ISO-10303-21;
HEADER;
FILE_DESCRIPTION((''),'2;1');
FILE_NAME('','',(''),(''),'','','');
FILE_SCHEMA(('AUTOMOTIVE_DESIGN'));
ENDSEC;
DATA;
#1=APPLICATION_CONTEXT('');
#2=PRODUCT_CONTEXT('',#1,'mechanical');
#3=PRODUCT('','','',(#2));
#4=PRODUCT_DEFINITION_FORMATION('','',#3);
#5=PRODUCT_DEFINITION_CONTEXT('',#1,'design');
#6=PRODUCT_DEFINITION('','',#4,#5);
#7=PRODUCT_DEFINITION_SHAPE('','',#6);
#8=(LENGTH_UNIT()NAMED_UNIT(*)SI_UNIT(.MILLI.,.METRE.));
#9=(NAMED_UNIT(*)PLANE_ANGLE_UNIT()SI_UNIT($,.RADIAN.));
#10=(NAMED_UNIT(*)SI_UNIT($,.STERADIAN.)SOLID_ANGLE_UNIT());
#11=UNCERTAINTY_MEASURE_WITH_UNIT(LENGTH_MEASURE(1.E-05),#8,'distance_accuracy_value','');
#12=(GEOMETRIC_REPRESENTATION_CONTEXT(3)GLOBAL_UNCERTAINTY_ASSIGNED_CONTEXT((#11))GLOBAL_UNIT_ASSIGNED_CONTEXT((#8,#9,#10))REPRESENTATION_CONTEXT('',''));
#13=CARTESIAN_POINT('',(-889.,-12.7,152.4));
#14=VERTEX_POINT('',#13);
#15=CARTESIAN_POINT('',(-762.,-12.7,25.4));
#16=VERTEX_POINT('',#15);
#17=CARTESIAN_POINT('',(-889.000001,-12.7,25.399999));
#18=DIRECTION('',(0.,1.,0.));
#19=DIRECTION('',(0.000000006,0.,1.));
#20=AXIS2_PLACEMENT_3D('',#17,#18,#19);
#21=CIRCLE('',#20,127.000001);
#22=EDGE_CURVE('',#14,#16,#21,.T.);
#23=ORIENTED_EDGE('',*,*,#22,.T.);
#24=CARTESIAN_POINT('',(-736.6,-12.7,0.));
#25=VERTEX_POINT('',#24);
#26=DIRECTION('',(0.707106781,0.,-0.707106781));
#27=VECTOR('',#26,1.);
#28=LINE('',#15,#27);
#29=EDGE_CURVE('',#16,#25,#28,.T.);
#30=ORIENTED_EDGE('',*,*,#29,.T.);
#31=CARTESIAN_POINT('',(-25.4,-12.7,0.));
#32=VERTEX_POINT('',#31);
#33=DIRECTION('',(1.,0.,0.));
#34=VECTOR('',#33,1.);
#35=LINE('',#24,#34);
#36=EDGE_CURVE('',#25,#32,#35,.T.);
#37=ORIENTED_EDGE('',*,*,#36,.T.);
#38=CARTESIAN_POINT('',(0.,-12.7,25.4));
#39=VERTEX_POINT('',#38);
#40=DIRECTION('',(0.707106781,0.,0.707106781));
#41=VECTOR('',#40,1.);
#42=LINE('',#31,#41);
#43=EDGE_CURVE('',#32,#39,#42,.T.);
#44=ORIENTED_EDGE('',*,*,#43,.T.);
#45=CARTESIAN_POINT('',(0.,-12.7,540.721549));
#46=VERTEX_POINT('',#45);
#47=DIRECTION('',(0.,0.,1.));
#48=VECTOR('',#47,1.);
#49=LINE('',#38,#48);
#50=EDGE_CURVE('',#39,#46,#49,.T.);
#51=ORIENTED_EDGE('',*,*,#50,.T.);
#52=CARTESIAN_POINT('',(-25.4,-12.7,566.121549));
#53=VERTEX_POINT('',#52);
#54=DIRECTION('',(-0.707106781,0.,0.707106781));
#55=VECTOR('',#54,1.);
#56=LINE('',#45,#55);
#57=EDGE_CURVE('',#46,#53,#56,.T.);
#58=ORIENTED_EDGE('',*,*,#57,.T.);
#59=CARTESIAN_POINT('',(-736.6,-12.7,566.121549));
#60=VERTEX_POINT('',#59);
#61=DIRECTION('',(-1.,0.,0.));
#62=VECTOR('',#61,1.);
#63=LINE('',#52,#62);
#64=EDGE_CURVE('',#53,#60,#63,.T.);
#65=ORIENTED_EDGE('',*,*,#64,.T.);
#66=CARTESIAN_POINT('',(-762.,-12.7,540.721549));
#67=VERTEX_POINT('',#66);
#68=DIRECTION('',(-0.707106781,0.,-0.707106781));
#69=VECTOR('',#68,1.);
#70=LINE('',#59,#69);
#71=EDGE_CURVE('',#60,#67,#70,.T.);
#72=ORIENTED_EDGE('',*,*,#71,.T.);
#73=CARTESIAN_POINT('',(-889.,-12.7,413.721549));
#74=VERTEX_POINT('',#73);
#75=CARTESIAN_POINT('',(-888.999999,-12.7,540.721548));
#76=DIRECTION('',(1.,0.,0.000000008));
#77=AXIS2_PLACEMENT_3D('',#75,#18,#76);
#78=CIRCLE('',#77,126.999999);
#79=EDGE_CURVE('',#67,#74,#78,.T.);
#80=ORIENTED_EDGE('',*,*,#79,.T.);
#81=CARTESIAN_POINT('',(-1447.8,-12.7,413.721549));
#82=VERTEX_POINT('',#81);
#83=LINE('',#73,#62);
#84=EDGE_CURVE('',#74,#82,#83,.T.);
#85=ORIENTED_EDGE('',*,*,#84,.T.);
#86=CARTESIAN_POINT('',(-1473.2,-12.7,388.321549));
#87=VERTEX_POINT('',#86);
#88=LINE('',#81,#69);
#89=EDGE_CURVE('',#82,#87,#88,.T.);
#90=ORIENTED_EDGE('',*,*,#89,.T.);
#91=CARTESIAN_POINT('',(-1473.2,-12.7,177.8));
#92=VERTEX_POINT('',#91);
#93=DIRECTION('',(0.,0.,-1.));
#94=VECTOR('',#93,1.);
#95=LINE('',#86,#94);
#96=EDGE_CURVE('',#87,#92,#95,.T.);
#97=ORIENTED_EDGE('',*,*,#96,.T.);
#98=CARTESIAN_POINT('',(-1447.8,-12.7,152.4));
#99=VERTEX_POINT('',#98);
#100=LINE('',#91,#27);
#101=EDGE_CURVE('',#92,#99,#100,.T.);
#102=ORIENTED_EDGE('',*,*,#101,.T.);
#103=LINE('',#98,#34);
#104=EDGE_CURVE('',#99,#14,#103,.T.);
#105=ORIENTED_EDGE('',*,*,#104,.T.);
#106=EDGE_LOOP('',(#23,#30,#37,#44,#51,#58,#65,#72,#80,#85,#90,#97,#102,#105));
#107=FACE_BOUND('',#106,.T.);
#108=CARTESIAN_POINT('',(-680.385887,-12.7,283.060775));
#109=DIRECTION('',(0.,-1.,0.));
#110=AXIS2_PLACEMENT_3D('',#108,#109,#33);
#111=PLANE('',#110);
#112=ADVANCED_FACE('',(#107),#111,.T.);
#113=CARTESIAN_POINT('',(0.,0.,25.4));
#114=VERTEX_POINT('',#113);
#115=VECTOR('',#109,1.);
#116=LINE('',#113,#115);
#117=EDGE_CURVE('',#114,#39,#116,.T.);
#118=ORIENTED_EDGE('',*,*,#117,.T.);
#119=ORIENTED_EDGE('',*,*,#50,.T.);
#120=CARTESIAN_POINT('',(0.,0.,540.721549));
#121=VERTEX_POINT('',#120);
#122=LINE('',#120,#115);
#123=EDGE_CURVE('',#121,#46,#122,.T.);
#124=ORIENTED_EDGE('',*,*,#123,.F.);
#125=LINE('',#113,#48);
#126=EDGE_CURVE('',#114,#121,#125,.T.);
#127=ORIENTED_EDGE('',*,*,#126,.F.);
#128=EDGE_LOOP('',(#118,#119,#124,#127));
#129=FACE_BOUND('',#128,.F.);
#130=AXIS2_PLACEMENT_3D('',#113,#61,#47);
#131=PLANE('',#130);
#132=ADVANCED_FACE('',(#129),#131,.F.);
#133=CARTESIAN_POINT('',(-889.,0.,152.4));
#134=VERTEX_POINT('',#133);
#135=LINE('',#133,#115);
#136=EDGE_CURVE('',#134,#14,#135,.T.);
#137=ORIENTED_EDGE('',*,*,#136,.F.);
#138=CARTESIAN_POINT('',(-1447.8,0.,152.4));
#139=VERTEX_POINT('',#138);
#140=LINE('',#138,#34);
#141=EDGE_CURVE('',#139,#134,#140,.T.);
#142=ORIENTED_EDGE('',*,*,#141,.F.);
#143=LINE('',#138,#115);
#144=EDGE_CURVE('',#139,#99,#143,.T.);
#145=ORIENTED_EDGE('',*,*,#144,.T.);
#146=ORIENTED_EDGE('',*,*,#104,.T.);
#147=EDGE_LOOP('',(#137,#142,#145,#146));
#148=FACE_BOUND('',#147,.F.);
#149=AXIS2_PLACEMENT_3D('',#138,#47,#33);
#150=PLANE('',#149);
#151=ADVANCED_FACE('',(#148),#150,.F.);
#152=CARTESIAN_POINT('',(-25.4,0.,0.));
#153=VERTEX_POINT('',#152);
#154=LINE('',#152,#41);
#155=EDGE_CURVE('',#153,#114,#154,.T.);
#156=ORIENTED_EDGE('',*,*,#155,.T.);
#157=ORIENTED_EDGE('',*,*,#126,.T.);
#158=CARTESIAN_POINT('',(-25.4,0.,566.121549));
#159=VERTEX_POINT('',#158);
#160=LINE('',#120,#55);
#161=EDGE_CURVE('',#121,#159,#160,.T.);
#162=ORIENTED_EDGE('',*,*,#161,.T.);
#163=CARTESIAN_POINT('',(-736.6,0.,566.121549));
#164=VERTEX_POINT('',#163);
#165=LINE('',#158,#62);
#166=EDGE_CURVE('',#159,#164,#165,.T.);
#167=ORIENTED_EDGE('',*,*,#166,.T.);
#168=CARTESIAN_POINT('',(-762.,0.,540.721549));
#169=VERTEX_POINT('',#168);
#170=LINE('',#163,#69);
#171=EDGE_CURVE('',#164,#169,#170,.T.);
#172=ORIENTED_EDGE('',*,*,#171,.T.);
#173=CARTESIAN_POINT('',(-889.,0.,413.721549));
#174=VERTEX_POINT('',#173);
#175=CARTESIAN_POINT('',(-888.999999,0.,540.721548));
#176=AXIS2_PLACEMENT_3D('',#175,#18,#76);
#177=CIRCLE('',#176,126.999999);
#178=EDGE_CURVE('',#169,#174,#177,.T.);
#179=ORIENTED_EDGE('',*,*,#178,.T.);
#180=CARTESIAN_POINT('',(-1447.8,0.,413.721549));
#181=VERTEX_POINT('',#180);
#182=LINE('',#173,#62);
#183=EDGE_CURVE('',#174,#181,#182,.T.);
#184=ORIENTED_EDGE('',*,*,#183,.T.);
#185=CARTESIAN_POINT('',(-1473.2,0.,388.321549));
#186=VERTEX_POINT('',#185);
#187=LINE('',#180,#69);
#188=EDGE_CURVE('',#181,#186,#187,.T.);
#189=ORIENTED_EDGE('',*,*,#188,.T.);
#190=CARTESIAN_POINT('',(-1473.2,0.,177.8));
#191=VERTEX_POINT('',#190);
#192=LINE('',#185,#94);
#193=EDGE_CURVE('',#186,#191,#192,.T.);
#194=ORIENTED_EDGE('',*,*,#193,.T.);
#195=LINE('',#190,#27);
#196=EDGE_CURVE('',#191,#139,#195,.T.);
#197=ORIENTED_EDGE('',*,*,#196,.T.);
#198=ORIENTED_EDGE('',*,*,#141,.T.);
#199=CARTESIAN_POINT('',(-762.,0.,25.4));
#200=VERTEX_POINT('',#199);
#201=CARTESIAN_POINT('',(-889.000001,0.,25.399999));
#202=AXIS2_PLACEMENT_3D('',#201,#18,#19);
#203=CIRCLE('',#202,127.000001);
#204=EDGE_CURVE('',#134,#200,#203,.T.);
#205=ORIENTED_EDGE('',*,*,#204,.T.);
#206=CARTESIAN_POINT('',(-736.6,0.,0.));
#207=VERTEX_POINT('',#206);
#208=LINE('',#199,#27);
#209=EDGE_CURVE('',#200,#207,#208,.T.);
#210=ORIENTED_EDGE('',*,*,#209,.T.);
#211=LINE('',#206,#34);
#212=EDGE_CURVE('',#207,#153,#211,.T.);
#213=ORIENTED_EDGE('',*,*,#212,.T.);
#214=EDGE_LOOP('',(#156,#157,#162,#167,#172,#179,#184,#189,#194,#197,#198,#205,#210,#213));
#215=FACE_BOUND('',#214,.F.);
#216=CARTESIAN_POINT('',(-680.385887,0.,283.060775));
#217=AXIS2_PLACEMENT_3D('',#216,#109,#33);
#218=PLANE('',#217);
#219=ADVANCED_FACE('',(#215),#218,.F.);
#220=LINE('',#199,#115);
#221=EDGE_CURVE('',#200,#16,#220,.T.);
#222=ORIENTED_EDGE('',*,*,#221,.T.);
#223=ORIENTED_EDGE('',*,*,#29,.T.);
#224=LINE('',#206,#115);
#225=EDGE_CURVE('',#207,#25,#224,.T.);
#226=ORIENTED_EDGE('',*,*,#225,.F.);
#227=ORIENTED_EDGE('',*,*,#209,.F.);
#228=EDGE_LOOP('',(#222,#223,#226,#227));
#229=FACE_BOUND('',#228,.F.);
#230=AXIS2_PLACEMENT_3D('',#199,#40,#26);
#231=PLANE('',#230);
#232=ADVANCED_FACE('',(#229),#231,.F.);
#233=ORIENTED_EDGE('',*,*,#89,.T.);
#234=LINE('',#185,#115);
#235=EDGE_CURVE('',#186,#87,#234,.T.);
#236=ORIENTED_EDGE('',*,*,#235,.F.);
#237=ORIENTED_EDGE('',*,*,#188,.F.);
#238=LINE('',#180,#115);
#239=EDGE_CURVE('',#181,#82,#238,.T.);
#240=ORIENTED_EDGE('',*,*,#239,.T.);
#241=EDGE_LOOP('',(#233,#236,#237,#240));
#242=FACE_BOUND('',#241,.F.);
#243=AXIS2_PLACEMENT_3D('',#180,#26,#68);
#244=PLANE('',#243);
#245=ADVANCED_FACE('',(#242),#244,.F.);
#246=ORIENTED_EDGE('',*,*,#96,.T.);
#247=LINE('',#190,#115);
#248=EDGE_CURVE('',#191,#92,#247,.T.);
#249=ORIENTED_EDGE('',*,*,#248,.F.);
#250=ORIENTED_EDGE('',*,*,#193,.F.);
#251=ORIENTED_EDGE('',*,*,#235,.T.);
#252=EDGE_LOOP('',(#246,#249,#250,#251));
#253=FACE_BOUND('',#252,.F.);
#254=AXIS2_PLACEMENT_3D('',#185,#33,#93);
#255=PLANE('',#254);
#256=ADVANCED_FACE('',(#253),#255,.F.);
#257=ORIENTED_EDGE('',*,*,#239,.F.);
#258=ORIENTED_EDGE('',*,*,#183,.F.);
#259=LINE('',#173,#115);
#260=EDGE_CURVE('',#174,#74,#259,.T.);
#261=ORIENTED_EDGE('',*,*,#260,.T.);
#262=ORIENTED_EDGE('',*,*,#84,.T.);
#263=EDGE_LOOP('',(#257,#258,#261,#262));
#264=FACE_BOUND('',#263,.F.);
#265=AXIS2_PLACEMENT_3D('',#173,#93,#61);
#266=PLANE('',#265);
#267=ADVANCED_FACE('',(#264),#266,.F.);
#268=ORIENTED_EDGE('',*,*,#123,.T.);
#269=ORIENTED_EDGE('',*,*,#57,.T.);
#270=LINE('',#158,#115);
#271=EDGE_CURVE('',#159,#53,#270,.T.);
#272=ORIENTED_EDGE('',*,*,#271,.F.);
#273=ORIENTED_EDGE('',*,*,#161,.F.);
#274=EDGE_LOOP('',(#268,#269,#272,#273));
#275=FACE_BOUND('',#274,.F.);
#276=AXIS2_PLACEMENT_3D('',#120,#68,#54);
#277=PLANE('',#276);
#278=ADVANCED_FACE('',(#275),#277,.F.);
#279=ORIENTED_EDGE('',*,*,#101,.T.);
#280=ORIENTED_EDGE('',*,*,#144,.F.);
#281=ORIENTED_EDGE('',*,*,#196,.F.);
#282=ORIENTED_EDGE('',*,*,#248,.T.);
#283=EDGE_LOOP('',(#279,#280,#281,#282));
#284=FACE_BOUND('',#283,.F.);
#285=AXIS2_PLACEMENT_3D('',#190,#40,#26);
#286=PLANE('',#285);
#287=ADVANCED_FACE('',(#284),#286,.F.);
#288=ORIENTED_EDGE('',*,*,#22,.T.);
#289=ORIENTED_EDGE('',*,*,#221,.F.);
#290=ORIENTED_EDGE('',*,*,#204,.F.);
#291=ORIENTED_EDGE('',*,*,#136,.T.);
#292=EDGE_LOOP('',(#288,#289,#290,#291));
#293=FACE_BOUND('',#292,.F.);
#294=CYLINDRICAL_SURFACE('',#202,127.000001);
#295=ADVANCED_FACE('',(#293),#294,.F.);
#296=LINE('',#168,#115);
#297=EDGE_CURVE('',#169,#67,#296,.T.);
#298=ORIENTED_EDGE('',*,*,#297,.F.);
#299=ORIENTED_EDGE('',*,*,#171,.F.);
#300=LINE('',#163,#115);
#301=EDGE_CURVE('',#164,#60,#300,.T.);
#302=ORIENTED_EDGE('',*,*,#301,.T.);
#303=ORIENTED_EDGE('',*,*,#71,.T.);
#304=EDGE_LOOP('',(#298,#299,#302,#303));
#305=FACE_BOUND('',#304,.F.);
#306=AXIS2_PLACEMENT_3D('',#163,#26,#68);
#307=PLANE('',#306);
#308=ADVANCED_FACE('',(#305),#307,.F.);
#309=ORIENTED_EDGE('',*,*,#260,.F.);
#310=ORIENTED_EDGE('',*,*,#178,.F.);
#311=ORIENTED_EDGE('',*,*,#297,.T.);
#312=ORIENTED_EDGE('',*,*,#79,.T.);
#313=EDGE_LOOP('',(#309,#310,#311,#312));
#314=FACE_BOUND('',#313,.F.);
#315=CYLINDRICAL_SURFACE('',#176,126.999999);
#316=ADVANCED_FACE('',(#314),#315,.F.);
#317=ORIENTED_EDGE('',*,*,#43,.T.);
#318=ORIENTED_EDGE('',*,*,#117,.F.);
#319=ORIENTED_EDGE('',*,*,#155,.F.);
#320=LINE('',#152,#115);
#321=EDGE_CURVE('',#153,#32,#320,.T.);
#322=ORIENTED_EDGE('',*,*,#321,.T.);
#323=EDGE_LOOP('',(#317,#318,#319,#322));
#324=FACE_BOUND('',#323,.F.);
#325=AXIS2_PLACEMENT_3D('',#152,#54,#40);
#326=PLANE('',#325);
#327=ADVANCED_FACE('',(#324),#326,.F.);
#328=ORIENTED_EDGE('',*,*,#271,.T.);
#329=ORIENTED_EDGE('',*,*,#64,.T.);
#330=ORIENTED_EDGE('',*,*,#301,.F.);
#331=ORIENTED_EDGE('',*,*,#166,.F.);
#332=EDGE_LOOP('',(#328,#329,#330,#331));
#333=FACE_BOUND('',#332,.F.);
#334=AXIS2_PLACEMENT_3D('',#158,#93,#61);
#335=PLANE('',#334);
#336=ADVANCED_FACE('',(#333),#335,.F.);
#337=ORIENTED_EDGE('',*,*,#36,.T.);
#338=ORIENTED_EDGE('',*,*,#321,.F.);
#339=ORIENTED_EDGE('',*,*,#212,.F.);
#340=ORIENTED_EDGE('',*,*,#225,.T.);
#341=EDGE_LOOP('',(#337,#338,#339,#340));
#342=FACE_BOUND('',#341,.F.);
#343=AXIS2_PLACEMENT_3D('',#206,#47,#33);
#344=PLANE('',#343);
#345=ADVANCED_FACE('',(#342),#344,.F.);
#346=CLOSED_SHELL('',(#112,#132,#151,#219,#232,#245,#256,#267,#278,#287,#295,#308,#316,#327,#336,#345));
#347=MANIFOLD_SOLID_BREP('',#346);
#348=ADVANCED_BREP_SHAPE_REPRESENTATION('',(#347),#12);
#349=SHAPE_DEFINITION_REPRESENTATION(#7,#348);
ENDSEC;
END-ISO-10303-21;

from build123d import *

# Parameters (mm, degrees)
F1_DEPTH = 12.7


with BuildPart() as f1:
    # F0 (on Front) → F1 (new body)
    with BuildSketch(Plane.XZ):
        with BuildLine():
            Line((-25.4, 0), (0, 25.4))
            Line((0, 25.4), (0, 540.721549))
            Line((0, 540.721549), (-25.4, 566.121549))
            Line((-25.4, 566.121549), (-736.6, 566.121549))
            Line((-736.6, 566.121549), (-762, 540.721549))
            ThreePointArc((-762, 540.721549), (-799.197439, 450.918987), (-889, 413.721549))
            Line((-889, 413.721549), (-1447.8, 413.721549))
            Line((-1447.8, 413.721549), (-1473.2, 388.321549))
            Line((-1473.2, 388.321549), (-1473.2, 177.8))
            Line((-1473.2, 177.8), (-1447.8, 152.4))
            Line((-1447.8, 152.4), (-889, 152.4))
            ThreePointArc((-889, 152.4), (-799.197439, 115.202561), (-762, 25.4))
            Line((-762, 25.4), (-736.6, 0))
            Line((-736.6, 0), (-25.4, 0))
        make_face()
    extrude(amount=F1_DEPTH)


solid = f1.part
